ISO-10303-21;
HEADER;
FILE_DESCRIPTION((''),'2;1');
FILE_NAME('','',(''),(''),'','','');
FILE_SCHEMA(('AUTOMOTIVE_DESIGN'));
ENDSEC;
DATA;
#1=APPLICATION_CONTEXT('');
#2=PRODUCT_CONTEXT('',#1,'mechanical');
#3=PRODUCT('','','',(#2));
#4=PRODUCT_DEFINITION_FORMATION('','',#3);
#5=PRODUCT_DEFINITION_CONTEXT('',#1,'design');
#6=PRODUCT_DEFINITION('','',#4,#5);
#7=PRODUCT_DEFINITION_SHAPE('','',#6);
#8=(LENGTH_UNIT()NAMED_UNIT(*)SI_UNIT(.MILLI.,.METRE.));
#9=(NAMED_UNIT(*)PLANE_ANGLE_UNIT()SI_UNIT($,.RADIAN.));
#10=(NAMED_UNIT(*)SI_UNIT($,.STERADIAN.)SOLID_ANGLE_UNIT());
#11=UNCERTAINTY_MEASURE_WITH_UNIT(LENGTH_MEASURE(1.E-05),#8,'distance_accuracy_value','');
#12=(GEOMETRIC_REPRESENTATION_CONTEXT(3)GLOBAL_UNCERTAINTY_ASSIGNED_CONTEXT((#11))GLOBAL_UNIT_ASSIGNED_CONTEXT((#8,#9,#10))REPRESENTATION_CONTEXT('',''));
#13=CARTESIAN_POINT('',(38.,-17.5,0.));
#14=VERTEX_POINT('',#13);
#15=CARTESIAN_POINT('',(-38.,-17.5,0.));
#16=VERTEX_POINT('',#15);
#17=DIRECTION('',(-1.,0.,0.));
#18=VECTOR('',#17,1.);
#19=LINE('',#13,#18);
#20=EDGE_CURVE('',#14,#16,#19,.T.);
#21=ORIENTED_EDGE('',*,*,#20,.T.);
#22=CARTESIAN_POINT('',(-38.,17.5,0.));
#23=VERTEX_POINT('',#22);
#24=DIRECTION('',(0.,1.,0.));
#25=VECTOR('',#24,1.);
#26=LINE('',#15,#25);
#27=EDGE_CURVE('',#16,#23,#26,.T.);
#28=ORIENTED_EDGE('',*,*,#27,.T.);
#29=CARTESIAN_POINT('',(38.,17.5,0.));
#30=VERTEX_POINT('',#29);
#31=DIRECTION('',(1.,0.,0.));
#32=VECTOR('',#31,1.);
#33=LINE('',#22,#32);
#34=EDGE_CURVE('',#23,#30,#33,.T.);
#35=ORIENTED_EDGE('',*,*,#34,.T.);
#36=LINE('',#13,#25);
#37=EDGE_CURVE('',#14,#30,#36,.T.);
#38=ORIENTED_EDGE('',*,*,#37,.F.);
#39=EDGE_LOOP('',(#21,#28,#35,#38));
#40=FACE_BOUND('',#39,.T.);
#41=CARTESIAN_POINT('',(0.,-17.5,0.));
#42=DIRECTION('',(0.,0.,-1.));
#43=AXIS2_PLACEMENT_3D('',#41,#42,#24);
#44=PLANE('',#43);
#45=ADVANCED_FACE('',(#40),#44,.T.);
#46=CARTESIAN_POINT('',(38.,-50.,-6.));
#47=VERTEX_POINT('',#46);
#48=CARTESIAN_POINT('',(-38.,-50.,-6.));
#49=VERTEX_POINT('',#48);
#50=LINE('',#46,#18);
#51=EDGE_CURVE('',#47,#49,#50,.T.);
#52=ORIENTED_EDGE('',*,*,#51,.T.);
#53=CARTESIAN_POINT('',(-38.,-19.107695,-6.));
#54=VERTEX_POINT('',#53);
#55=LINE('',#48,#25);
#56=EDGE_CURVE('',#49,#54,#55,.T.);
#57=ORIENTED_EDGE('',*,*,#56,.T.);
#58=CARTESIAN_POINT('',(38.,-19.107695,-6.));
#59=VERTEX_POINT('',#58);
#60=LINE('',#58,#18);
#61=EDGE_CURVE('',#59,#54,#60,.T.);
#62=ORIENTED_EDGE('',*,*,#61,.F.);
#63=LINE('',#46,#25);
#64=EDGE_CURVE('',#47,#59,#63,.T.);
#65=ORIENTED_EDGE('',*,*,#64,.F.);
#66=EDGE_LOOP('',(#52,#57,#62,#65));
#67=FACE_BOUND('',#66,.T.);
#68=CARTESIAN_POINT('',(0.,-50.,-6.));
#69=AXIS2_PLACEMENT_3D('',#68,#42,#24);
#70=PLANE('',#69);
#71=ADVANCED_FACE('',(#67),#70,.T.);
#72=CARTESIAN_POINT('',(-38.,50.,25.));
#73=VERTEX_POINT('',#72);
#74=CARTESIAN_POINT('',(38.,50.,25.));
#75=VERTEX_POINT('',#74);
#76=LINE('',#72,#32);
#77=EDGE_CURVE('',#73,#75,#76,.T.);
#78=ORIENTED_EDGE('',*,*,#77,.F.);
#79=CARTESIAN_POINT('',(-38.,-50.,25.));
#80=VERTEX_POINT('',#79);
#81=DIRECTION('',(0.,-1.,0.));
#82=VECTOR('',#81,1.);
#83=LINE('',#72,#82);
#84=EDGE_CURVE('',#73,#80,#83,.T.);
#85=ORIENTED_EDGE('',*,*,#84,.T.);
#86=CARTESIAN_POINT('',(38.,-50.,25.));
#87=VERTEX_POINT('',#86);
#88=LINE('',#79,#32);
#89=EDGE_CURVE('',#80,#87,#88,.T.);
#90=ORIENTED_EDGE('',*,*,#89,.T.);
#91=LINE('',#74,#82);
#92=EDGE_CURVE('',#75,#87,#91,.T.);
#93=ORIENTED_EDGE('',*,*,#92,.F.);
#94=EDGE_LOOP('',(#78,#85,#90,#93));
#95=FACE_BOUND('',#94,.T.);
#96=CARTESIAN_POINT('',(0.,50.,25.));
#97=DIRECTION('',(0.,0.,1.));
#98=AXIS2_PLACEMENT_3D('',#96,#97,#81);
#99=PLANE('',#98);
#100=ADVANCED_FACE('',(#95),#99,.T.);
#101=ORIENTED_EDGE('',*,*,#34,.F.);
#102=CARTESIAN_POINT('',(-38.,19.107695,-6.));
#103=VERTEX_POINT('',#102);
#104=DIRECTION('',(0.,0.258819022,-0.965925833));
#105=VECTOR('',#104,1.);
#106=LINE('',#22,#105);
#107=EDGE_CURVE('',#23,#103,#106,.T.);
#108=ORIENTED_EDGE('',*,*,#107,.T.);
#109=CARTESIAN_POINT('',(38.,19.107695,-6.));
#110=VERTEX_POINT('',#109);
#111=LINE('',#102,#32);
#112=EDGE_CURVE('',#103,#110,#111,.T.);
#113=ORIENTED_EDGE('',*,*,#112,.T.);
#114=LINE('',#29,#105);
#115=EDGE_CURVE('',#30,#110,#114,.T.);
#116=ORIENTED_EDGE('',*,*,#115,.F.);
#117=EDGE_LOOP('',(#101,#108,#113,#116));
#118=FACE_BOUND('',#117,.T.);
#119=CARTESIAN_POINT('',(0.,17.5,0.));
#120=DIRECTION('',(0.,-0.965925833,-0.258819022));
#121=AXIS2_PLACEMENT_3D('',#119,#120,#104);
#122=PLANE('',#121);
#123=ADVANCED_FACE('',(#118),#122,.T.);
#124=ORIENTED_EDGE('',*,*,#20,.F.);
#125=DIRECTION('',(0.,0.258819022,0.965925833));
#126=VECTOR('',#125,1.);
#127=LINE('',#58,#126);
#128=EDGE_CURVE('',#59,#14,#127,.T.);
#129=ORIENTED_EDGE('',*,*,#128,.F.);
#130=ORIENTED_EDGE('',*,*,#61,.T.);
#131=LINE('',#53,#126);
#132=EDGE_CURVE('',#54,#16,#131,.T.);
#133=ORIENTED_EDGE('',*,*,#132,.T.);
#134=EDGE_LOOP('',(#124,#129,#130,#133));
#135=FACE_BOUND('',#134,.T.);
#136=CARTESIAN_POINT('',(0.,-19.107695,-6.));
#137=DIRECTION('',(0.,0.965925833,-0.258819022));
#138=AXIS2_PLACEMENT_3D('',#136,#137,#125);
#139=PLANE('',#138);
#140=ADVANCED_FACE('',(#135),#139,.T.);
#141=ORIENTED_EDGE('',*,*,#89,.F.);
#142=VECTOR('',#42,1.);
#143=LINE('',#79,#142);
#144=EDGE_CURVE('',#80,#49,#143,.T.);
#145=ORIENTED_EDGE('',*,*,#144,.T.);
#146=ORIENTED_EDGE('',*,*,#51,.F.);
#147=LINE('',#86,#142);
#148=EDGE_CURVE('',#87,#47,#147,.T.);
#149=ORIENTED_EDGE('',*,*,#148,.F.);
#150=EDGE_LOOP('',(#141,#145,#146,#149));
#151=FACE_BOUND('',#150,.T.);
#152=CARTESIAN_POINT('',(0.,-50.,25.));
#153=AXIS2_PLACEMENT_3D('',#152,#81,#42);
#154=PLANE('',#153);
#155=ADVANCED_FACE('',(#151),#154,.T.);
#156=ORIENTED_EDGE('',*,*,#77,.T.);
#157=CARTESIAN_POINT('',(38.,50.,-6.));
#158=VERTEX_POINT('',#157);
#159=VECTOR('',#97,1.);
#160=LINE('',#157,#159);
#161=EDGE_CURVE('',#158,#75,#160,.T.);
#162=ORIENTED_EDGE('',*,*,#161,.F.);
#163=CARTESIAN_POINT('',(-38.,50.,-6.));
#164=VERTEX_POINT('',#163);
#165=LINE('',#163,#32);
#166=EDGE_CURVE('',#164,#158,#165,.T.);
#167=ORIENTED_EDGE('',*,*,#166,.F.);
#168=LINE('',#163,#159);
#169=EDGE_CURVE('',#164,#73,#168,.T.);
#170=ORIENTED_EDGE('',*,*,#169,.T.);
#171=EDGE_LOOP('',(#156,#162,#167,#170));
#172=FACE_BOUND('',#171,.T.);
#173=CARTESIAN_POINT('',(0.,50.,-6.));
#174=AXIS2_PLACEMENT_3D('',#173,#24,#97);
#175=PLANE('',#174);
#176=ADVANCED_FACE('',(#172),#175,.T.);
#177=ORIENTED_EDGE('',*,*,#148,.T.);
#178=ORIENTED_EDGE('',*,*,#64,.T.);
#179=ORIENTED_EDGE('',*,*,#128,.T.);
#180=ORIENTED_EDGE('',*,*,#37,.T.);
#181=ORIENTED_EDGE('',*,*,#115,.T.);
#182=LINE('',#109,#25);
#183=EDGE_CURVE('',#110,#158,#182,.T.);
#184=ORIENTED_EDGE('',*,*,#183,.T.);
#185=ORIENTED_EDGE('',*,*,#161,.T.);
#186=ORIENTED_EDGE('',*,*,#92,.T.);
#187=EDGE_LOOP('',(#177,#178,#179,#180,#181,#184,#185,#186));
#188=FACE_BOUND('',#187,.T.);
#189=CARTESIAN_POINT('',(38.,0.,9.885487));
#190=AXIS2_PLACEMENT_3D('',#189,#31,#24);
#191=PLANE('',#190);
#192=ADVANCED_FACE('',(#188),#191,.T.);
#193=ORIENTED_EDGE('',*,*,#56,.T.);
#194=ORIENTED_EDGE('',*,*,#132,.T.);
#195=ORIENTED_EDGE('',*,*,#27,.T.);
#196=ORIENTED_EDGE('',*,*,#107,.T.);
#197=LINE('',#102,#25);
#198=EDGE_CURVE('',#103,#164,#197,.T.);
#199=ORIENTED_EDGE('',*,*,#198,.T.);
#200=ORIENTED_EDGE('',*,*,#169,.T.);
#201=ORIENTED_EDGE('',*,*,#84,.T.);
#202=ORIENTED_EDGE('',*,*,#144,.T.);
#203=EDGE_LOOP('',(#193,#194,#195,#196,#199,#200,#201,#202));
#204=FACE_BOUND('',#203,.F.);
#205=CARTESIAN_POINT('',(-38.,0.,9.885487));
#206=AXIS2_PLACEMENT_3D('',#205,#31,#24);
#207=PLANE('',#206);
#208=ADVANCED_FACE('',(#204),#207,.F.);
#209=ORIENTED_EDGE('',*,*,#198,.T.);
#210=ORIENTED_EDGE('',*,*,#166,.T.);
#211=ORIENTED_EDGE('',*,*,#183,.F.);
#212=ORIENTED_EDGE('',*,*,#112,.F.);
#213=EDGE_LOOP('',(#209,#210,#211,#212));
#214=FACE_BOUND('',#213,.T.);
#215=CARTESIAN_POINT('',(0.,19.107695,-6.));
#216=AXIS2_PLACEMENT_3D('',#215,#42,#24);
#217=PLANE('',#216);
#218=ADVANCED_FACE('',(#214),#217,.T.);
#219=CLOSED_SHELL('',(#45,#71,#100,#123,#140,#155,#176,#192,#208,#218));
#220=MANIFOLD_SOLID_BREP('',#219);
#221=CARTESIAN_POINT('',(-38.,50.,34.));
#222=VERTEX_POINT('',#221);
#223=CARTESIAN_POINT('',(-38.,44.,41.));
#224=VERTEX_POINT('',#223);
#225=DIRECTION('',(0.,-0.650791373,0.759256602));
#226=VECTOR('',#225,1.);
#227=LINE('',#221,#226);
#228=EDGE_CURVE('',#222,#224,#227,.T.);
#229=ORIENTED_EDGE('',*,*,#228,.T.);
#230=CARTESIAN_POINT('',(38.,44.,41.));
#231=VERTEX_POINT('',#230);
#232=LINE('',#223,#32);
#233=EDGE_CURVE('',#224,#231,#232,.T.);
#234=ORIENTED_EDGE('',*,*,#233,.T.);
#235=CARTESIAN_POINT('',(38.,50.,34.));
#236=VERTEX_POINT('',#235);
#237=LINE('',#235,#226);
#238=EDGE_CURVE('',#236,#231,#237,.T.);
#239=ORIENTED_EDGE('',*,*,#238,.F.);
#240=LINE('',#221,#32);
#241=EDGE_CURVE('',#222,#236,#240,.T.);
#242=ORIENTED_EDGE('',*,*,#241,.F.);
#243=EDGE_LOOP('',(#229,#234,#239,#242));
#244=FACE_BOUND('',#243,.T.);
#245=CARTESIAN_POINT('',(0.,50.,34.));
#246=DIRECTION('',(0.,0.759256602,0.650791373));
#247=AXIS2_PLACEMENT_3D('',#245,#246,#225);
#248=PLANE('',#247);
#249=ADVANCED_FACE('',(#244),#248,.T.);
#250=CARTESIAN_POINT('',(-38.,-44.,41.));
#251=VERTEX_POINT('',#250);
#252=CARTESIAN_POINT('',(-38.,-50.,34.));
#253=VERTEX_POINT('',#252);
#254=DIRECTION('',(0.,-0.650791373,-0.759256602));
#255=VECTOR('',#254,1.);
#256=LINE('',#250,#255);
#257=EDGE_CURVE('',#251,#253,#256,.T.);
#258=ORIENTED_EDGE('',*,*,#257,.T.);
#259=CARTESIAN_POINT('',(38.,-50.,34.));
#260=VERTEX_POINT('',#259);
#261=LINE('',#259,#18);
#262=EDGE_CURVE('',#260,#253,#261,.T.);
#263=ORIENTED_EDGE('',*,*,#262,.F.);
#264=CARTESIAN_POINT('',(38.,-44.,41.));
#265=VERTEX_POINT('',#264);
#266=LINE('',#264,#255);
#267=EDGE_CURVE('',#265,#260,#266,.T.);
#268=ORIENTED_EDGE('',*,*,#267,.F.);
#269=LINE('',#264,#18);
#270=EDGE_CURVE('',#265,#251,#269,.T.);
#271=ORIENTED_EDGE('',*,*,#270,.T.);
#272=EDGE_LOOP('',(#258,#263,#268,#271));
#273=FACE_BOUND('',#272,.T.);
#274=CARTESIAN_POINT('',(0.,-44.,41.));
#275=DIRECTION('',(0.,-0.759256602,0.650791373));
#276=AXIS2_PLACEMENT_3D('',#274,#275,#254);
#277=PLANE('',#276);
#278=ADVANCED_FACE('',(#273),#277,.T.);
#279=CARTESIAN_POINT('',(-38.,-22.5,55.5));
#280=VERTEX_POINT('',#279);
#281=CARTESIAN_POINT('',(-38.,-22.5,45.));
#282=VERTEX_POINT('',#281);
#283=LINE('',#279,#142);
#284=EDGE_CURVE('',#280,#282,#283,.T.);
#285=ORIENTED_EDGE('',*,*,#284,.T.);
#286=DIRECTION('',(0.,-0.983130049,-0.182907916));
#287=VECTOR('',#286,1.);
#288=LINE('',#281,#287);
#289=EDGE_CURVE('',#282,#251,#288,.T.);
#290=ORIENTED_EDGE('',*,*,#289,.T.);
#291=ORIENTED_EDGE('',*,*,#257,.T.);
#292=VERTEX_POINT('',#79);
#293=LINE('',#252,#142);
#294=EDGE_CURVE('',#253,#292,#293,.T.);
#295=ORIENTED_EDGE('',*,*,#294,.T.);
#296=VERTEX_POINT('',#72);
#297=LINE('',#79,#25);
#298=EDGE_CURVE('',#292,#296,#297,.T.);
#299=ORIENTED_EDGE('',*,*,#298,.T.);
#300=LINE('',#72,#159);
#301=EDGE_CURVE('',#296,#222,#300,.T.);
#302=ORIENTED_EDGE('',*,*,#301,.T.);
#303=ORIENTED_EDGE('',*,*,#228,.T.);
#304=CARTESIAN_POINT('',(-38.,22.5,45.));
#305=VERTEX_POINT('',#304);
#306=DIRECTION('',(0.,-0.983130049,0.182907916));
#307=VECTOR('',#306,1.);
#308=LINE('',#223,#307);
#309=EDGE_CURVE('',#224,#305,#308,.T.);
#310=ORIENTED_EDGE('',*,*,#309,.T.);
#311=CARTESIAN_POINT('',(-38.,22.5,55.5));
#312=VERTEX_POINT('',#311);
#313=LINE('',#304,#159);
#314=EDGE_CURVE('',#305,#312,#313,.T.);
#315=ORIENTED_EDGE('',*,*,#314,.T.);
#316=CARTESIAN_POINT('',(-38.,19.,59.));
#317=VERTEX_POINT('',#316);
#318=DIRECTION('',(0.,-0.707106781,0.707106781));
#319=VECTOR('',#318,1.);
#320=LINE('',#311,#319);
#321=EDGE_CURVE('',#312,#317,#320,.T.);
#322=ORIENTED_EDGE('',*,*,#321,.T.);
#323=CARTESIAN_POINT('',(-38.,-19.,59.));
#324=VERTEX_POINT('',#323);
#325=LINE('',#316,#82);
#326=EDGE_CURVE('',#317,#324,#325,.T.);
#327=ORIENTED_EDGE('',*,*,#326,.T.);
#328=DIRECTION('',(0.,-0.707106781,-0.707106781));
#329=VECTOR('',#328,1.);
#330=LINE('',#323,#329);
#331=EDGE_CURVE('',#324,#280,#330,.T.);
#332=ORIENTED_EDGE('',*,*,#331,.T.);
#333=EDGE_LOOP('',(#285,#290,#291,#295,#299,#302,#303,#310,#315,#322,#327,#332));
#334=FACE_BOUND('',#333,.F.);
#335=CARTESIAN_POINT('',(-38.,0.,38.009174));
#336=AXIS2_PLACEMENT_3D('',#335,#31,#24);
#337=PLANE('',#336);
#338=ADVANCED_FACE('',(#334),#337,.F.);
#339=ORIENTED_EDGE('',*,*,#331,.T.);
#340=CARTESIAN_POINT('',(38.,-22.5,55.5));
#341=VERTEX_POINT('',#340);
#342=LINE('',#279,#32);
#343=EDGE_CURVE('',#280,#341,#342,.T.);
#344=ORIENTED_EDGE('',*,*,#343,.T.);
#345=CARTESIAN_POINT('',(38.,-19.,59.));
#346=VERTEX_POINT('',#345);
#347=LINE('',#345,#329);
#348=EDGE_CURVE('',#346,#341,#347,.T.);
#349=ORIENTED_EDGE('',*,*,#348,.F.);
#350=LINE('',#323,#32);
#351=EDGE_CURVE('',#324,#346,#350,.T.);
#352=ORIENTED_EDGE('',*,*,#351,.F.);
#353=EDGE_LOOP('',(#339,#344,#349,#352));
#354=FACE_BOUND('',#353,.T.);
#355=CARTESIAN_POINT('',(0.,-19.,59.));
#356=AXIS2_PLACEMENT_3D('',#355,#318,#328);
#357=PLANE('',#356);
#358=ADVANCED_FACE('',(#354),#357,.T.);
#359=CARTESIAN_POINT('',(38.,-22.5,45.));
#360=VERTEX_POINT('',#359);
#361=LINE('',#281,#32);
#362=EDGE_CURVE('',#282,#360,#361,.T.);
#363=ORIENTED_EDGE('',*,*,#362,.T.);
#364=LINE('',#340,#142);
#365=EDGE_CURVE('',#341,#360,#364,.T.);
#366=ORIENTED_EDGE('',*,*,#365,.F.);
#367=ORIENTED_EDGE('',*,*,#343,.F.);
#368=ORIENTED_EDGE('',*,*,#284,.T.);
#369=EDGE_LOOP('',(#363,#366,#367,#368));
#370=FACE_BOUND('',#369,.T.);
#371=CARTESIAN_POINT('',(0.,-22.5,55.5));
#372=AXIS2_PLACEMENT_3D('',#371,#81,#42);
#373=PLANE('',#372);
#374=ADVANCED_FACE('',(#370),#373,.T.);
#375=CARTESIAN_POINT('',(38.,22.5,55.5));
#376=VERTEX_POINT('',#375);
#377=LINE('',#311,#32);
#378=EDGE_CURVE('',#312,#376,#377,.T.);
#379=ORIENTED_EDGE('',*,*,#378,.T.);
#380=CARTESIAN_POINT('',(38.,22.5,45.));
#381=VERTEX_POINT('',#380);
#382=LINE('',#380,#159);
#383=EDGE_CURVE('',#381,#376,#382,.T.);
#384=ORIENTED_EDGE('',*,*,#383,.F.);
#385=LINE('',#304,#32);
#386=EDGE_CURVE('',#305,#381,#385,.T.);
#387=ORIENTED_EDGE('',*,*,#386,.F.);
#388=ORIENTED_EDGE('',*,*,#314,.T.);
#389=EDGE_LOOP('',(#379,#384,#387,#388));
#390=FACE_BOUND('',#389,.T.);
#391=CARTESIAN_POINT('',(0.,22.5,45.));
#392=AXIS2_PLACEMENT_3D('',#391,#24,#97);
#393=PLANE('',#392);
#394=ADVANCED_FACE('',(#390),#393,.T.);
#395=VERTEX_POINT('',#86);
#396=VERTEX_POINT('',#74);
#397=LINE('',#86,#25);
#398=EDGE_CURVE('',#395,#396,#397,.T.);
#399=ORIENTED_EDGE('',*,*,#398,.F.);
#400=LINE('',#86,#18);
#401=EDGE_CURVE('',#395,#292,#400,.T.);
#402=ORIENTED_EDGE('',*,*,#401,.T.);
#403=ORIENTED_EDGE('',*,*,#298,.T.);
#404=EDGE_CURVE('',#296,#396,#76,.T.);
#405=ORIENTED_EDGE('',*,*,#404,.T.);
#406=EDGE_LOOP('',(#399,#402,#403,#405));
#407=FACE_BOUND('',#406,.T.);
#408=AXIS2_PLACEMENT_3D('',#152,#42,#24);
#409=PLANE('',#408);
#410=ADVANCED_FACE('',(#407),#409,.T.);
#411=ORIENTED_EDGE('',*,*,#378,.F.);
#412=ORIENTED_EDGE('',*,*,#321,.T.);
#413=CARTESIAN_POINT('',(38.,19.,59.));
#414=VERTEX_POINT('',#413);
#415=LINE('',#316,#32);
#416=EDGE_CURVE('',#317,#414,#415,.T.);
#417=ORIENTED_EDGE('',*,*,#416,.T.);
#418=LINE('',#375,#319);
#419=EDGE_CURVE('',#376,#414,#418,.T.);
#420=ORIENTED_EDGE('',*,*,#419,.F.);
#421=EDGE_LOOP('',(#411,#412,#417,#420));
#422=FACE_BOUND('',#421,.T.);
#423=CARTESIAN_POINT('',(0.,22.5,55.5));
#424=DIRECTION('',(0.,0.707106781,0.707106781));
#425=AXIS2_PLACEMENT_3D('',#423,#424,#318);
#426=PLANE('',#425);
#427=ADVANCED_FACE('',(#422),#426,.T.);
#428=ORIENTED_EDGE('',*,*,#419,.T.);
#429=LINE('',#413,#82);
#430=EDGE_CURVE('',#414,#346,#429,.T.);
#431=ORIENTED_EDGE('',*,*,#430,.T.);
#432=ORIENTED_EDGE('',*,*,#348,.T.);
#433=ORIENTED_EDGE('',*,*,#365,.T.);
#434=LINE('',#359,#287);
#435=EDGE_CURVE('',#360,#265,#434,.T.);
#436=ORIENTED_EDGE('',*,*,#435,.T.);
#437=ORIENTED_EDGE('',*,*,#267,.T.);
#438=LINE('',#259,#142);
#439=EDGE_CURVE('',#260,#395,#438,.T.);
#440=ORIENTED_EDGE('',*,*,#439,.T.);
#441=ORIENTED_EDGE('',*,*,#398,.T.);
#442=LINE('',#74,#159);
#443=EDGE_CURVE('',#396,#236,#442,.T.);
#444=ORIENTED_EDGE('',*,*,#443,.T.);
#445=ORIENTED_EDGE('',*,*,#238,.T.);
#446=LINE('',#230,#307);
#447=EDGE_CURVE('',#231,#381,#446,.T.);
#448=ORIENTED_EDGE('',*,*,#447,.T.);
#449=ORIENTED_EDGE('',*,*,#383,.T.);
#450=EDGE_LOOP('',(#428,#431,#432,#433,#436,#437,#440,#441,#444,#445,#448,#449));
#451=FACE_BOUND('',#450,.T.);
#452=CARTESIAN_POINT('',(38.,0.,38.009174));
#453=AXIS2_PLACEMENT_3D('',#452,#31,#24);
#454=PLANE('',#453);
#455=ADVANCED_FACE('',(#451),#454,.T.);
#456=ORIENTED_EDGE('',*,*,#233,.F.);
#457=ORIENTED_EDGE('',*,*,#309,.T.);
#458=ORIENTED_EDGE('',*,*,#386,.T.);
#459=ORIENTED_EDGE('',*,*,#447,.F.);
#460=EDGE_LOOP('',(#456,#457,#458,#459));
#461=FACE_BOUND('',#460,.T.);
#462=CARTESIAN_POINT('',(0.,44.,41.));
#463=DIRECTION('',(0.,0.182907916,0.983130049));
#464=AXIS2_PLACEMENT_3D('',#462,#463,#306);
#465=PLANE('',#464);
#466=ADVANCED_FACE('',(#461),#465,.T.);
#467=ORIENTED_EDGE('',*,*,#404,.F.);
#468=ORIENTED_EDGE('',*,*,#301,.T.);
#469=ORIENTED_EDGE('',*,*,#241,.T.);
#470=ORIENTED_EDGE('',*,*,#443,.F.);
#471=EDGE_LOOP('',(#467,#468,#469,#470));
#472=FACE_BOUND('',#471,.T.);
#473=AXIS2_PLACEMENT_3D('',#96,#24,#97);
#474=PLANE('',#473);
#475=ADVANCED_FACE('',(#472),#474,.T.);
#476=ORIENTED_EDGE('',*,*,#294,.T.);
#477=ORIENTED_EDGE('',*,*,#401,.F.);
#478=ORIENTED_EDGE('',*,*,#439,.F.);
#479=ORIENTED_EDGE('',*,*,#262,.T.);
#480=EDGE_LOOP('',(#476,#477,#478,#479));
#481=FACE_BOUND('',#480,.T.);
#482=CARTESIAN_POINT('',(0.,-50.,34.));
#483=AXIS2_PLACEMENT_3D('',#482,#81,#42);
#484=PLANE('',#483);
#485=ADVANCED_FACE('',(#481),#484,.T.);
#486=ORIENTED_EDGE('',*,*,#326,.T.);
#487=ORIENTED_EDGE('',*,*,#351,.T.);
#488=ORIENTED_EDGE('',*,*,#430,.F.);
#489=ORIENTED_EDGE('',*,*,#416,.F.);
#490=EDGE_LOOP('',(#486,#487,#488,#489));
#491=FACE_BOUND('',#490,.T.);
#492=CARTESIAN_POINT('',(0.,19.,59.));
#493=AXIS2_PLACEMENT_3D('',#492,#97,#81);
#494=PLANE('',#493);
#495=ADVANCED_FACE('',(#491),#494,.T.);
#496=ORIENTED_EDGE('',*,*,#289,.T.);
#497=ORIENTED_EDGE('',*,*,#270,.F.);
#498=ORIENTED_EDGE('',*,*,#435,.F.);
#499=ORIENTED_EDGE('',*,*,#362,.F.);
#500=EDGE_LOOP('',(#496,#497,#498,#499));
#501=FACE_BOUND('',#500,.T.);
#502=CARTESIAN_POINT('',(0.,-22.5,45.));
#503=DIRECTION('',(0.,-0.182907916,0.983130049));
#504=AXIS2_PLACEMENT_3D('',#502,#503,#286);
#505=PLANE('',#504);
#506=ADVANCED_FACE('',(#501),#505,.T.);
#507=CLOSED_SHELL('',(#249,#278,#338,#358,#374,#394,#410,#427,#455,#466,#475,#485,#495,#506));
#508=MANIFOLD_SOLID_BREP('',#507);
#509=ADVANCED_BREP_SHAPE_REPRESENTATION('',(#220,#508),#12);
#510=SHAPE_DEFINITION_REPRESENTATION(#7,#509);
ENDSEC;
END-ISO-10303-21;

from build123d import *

# Parameters (mm, degrees)
F1_DEPTH      = 38
F1_DEPTH_BACK = 38
F3_DEPTH      = 38
F3_DEPTH_BACK = 38


with BuildPart() as f1:
    # F0 (on Right) → F1 (new body, two sides)
    with BuildSketch(Plane.YZ) as f1_sk:
        Polygon((-17.5, 0), (0, 0), (17.5, 0), (19.107695, -6), (50, -6), (50, 25), (0, 25), (-50, 25), (-50, -6), (-19.107695, -6), align=None)
    extrude(amount=F1_DEPTH)
    extrude(f1_sk.sketch, amount=-F1_DEPTH_BACK)


with BuildPart() as f3:
    # F2 (on Right) → F3 (new body, two sides)
    with BuildSketch(Plane.YZ) as f3_sk:
        Polygon((-50, 25), (50, 25), (50, 34), (44, 41), (22.5, 45), (22.5, 55.5), (19, 59), (0, 59), (-19, 59), (-22.5, 55.5), (-22.5, 45), (-44, 41), (-50, 34), align=None)
    extrude(amount=F3_DEPTH)
    extrude(f3_sk.sketch, amount=-F3_DEPTH_BACK)


solid = Compound([f1.part, f3.part])
